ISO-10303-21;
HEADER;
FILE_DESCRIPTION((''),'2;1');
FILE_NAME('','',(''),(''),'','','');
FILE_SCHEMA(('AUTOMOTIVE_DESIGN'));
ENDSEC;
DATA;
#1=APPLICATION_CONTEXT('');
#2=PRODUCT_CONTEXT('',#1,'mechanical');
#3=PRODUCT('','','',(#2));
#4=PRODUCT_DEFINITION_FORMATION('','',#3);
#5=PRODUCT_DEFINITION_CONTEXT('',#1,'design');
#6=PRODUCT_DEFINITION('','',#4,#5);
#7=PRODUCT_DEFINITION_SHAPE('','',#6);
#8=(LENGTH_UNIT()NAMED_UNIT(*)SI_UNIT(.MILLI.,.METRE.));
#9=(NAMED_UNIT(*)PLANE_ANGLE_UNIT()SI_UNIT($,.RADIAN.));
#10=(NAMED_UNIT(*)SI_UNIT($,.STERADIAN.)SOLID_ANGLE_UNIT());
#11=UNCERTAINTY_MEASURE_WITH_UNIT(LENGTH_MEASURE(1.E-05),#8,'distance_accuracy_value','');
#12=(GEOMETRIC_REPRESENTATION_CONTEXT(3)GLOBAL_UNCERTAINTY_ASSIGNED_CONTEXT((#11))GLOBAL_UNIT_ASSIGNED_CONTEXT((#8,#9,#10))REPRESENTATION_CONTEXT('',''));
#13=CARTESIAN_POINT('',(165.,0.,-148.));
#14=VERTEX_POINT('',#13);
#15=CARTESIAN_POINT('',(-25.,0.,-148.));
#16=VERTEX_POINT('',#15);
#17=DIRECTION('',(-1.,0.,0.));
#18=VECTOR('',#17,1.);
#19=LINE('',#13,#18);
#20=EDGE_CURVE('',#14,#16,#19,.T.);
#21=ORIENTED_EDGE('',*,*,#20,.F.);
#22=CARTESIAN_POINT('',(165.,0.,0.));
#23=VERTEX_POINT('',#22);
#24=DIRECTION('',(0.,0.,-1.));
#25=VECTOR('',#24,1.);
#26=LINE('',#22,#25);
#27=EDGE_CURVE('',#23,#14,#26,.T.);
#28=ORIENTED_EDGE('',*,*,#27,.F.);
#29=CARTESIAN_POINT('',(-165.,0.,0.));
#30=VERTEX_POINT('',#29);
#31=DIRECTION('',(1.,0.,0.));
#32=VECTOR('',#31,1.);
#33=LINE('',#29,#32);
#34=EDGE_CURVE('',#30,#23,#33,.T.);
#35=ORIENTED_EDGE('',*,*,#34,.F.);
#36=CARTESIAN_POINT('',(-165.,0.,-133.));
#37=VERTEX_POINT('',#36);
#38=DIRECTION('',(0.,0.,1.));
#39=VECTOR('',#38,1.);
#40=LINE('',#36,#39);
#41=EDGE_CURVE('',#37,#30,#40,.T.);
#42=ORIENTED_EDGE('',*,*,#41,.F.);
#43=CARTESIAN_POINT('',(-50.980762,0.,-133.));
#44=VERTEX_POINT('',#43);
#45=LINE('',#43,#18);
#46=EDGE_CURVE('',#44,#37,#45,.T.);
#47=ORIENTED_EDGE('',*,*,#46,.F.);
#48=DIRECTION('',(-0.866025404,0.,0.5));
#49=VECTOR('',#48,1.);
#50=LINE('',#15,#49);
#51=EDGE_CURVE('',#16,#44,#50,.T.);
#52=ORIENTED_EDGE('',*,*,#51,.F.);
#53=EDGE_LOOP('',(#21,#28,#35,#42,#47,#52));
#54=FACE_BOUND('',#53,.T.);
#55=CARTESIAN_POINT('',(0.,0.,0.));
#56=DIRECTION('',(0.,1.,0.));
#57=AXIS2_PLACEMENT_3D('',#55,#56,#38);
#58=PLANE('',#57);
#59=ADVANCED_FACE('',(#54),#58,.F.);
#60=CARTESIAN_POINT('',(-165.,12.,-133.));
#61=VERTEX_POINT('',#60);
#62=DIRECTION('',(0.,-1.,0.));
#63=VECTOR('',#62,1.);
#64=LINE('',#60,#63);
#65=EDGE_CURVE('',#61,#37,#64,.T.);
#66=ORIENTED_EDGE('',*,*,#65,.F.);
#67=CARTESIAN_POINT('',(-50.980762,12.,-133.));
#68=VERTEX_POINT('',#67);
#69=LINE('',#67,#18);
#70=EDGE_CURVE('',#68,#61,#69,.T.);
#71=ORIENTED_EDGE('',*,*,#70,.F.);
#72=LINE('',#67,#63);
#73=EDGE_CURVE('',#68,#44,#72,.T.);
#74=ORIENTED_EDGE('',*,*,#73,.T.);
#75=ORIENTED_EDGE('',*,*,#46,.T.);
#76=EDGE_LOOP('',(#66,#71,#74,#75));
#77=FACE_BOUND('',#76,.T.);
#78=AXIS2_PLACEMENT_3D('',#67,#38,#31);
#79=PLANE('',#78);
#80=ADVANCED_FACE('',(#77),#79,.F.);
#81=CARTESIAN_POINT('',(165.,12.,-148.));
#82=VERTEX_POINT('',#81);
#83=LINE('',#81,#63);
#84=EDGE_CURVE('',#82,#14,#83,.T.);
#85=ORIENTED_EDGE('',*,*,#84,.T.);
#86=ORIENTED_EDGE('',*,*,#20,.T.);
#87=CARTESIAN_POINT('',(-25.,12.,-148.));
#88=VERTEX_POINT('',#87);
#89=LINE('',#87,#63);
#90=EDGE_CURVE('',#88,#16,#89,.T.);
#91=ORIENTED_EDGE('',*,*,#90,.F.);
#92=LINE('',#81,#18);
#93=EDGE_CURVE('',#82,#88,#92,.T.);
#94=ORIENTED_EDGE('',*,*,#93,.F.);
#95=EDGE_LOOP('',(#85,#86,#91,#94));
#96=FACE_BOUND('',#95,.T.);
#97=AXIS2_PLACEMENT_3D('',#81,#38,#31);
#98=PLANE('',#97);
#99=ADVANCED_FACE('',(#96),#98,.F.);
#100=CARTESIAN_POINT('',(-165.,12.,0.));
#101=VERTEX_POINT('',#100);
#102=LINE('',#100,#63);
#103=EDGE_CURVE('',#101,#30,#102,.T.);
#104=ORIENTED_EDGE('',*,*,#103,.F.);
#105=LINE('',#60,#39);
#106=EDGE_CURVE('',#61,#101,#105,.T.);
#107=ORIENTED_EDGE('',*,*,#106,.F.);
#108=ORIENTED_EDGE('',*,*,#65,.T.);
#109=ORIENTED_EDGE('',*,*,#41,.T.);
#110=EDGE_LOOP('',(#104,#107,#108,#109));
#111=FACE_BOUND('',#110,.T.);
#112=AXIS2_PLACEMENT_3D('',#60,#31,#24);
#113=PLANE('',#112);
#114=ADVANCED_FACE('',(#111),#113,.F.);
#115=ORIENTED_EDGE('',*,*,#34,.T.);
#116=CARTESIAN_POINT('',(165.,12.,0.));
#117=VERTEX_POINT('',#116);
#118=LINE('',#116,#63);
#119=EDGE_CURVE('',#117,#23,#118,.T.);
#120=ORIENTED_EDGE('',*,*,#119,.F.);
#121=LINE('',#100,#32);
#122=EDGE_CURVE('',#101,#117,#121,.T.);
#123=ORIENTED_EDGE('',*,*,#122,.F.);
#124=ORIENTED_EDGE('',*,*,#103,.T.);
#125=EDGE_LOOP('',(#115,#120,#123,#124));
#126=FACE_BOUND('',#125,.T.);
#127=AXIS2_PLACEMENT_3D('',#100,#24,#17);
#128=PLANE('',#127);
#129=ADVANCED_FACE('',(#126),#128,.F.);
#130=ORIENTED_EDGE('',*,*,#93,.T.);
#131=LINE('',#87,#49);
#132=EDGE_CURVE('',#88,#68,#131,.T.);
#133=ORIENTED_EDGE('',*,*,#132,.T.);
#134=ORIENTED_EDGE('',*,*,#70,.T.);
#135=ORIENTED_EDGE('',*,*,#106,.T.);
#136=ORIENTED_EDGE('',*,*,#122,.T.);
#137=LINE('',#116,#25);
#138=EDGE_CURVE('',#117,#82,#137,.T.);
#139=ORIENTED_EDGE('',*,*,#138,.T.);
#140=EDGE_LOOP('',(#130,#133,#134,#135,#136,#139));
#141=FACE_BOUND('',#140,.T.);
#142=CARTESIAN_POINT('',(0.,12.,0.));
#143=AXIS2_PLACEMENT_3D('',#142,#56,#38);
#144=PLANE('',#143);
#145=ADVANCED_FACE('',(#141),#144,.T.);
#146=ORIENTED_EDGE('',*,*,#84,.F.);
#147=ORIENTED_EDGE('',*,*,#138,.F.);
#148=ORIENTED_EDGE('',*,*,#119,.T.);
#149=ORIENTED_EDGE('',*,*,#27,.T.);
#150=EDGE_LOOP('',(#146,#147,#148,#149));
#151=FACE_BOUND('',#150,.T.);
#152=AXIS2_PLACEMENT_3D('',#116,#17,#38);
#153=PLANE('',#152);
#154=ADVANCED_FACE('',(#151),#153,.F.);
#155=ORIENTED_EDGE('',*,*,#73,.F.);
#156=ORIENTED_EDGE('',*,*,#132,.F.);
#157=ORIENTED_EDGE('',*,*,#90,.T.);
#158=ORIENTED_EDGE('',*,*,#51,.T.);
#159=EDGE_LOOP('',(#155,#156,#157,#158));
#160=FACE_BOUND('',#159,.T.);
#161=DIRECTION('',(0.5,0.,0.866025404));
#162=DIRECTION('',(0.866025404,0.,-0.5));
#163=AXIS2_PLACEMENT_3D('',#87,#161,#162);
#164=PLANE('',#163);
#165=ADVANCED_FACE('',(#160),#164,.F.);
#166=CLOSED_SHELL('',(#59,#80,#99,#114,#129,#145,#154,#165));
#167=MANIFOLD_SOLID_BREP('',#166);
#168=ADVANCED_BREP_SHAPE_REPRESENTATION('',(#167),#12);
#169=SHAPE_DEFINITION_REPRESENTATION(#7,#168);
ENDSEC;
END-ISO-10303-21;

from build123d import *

# Parameters (mm, degrees)
SALIENTE_EXTRUIR1_DEPTH = 12


with BuildPart() as part:
    # Croquis1 → Saliente-Extruir1 (new body)
    with BuildSketch(Plane(origin=(0, 0, 0), x_dir=(1, 0, 0), z_dir=(0, 1, 0))):
        Polygon((-165, 133), (-165, 0), (165, 0), (165, 148), (-25, 148), (-50.980762114, 133), align=None)
    extrude(amount=SALIENTE_EXTRUIR1_DEPTH)


solid = part.part
